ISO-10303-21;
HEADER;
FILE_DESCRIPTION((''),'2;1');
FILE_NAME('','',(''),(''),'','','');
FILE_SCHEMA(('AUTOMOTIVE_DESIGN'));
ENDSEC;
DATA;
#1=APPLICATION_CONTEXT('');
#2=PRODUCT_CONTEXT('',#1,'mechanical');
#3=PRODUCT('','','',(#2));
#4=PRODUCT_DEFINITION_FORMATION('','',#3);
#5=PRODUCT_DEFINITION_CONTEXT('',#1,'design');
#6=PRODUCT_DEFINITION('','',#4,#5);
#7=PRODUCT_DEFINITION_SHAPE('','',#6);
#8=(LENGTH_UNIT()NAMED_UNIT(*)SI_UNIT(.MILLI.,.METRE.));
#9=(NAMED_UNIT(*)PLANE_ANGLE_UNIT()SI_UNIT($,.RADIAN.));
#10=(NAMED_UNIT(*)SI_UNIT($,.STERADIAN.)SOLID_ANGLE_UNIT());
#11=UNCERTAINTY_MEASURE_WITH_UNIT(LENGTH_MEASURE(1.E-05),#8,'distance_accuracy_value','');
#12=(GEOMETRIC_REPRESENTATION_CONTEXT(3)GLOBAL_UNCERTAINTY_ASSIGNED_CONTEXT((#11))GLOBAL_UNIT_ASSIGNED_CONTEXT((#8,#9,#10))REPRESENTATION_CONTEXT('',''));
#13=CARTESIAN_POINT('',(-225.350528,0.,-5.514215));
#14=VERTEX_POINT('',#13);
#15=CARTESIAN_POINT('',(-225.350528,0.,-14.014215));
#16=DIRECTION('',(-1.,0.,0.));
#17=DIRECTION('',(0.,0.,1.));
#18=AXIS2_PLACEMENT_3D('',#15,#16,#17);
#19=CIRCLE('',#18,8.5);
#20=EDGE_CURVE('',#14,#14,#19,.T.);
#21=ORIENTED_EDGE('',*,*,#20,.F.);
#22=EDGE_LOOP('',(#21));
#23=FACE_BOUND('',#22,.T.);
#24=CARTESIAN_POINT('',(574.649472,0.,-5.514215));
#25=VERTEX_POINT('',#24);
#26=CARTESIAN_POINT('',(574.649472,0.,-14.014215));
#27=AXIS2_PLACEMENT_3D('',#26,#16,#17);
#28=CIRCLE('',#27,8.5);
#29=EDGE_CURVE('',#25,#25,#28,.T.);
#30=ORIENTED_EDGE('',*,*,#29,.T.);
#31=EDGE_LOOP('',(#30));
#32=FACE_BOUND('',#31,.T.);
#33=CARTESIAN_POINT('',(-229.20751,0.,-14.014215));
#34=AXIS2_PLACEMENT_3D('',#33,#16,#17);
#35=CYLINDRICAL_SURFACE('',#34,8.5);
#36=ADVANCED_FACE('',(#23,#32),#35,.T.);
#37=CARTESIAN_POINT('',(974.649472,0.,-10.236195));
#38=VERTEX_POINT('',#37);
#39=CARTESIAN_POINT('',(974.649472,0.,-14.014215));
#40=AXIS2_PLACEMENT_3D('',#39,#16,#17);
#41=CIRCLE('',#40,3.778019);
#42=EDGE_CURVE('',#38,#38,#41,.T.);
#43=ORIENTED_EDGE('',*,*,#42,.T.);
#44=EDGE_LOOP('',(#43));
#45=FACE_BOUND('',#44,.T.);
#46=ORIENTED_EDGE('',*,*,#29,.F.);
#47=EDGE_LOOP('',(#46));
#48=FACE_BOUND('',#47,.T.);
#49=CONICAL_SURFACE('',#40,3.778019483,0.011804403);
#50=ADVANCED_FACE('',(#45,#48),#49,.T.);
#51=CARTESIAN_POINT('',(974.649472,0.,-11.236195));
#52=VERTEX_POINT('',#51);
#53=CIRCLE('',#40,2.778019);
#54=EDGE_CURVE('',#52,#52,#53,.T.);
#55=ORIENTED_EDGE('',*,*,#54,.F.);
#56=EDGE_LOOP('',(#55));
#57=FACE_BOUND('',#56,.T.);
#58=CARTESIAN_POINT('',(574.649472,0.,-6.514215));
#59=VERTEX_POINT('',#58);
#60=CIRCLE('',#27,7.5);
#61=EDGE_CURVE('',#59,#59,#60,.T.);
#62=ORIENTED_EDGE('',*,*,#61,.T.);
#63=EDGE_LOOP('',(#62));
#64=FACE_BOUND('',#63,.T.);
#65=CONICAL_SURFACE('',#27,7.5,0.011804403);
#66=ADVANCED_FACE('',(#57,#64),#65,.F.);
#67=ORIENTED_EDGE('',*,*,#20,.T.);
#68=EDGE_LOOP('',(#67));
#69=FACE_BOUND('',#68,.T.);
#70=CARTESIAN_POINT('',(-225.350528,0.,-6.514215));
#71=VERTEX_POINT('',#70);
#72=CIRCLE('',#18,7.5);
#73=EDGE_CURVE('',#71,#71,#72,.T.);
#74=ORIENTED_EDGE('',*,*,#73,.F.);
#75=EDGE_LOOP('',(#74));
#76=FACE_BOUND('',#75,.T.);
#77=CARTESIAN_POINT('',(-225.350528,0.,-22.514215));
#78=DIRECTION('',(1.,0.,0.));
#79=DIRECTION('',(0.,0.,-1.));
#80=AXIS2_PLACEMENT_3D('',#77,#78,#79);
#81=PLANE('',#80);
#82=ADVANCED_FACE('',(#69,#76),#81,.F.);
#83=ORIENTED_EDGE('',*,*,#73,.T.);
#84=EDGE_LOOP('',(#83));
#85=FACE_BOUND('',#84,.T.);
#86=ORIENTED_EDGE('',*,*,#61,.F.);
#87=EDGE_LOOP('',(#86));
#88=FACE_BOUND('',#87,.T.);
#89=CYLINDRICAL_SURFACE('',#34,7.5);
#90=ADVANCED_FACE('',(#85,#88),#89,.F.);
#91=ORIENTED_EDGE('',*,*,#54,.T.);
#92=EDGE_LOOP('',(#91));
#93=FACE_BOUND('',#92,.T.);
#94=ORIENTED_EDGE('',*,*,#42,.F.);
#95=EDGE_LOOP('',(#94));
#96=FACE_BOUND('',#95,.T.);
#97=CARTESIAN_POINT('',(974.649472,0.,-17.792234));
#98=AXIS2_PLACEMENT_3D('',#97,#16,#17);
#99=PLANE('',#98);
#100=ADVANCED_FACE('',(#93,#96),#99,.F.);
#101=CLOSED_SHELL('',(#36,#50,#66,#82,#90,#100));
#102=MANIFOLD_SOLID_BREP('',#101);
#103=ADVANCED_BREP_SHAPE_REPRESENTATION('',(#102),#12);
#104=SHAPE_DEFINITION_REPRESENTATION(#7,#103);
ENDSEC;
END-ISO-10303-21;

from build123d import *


with BuildPart() as part:
    # Sketch1 → Revolve1 (revolve)
    with BuildSketch(Plane(origin=(0, 0, 0), x_dir=(1, 0, 0), z_dir=(0, 1, 0)), mode=Mode.PRIVATE) as revolve1_sk:
        Polygon((-225.350528016, 22.514214767), (-225.350528016, 21.514214767), (574.649471984, 21.514214767), (974.649471984, 16.79223425), (974.649471984, 17.79223425), (574.649471984, 22.514214767), align=None)
    revolve(revolve1_sk.sketch.rotate(Axis((-229.207509754, 0, -14.014214767), (1, 0, 0)), 180), axis=Axis((-229.207509754, 0, -14.014214767), (1, 0, 0)))


solid = part.part
